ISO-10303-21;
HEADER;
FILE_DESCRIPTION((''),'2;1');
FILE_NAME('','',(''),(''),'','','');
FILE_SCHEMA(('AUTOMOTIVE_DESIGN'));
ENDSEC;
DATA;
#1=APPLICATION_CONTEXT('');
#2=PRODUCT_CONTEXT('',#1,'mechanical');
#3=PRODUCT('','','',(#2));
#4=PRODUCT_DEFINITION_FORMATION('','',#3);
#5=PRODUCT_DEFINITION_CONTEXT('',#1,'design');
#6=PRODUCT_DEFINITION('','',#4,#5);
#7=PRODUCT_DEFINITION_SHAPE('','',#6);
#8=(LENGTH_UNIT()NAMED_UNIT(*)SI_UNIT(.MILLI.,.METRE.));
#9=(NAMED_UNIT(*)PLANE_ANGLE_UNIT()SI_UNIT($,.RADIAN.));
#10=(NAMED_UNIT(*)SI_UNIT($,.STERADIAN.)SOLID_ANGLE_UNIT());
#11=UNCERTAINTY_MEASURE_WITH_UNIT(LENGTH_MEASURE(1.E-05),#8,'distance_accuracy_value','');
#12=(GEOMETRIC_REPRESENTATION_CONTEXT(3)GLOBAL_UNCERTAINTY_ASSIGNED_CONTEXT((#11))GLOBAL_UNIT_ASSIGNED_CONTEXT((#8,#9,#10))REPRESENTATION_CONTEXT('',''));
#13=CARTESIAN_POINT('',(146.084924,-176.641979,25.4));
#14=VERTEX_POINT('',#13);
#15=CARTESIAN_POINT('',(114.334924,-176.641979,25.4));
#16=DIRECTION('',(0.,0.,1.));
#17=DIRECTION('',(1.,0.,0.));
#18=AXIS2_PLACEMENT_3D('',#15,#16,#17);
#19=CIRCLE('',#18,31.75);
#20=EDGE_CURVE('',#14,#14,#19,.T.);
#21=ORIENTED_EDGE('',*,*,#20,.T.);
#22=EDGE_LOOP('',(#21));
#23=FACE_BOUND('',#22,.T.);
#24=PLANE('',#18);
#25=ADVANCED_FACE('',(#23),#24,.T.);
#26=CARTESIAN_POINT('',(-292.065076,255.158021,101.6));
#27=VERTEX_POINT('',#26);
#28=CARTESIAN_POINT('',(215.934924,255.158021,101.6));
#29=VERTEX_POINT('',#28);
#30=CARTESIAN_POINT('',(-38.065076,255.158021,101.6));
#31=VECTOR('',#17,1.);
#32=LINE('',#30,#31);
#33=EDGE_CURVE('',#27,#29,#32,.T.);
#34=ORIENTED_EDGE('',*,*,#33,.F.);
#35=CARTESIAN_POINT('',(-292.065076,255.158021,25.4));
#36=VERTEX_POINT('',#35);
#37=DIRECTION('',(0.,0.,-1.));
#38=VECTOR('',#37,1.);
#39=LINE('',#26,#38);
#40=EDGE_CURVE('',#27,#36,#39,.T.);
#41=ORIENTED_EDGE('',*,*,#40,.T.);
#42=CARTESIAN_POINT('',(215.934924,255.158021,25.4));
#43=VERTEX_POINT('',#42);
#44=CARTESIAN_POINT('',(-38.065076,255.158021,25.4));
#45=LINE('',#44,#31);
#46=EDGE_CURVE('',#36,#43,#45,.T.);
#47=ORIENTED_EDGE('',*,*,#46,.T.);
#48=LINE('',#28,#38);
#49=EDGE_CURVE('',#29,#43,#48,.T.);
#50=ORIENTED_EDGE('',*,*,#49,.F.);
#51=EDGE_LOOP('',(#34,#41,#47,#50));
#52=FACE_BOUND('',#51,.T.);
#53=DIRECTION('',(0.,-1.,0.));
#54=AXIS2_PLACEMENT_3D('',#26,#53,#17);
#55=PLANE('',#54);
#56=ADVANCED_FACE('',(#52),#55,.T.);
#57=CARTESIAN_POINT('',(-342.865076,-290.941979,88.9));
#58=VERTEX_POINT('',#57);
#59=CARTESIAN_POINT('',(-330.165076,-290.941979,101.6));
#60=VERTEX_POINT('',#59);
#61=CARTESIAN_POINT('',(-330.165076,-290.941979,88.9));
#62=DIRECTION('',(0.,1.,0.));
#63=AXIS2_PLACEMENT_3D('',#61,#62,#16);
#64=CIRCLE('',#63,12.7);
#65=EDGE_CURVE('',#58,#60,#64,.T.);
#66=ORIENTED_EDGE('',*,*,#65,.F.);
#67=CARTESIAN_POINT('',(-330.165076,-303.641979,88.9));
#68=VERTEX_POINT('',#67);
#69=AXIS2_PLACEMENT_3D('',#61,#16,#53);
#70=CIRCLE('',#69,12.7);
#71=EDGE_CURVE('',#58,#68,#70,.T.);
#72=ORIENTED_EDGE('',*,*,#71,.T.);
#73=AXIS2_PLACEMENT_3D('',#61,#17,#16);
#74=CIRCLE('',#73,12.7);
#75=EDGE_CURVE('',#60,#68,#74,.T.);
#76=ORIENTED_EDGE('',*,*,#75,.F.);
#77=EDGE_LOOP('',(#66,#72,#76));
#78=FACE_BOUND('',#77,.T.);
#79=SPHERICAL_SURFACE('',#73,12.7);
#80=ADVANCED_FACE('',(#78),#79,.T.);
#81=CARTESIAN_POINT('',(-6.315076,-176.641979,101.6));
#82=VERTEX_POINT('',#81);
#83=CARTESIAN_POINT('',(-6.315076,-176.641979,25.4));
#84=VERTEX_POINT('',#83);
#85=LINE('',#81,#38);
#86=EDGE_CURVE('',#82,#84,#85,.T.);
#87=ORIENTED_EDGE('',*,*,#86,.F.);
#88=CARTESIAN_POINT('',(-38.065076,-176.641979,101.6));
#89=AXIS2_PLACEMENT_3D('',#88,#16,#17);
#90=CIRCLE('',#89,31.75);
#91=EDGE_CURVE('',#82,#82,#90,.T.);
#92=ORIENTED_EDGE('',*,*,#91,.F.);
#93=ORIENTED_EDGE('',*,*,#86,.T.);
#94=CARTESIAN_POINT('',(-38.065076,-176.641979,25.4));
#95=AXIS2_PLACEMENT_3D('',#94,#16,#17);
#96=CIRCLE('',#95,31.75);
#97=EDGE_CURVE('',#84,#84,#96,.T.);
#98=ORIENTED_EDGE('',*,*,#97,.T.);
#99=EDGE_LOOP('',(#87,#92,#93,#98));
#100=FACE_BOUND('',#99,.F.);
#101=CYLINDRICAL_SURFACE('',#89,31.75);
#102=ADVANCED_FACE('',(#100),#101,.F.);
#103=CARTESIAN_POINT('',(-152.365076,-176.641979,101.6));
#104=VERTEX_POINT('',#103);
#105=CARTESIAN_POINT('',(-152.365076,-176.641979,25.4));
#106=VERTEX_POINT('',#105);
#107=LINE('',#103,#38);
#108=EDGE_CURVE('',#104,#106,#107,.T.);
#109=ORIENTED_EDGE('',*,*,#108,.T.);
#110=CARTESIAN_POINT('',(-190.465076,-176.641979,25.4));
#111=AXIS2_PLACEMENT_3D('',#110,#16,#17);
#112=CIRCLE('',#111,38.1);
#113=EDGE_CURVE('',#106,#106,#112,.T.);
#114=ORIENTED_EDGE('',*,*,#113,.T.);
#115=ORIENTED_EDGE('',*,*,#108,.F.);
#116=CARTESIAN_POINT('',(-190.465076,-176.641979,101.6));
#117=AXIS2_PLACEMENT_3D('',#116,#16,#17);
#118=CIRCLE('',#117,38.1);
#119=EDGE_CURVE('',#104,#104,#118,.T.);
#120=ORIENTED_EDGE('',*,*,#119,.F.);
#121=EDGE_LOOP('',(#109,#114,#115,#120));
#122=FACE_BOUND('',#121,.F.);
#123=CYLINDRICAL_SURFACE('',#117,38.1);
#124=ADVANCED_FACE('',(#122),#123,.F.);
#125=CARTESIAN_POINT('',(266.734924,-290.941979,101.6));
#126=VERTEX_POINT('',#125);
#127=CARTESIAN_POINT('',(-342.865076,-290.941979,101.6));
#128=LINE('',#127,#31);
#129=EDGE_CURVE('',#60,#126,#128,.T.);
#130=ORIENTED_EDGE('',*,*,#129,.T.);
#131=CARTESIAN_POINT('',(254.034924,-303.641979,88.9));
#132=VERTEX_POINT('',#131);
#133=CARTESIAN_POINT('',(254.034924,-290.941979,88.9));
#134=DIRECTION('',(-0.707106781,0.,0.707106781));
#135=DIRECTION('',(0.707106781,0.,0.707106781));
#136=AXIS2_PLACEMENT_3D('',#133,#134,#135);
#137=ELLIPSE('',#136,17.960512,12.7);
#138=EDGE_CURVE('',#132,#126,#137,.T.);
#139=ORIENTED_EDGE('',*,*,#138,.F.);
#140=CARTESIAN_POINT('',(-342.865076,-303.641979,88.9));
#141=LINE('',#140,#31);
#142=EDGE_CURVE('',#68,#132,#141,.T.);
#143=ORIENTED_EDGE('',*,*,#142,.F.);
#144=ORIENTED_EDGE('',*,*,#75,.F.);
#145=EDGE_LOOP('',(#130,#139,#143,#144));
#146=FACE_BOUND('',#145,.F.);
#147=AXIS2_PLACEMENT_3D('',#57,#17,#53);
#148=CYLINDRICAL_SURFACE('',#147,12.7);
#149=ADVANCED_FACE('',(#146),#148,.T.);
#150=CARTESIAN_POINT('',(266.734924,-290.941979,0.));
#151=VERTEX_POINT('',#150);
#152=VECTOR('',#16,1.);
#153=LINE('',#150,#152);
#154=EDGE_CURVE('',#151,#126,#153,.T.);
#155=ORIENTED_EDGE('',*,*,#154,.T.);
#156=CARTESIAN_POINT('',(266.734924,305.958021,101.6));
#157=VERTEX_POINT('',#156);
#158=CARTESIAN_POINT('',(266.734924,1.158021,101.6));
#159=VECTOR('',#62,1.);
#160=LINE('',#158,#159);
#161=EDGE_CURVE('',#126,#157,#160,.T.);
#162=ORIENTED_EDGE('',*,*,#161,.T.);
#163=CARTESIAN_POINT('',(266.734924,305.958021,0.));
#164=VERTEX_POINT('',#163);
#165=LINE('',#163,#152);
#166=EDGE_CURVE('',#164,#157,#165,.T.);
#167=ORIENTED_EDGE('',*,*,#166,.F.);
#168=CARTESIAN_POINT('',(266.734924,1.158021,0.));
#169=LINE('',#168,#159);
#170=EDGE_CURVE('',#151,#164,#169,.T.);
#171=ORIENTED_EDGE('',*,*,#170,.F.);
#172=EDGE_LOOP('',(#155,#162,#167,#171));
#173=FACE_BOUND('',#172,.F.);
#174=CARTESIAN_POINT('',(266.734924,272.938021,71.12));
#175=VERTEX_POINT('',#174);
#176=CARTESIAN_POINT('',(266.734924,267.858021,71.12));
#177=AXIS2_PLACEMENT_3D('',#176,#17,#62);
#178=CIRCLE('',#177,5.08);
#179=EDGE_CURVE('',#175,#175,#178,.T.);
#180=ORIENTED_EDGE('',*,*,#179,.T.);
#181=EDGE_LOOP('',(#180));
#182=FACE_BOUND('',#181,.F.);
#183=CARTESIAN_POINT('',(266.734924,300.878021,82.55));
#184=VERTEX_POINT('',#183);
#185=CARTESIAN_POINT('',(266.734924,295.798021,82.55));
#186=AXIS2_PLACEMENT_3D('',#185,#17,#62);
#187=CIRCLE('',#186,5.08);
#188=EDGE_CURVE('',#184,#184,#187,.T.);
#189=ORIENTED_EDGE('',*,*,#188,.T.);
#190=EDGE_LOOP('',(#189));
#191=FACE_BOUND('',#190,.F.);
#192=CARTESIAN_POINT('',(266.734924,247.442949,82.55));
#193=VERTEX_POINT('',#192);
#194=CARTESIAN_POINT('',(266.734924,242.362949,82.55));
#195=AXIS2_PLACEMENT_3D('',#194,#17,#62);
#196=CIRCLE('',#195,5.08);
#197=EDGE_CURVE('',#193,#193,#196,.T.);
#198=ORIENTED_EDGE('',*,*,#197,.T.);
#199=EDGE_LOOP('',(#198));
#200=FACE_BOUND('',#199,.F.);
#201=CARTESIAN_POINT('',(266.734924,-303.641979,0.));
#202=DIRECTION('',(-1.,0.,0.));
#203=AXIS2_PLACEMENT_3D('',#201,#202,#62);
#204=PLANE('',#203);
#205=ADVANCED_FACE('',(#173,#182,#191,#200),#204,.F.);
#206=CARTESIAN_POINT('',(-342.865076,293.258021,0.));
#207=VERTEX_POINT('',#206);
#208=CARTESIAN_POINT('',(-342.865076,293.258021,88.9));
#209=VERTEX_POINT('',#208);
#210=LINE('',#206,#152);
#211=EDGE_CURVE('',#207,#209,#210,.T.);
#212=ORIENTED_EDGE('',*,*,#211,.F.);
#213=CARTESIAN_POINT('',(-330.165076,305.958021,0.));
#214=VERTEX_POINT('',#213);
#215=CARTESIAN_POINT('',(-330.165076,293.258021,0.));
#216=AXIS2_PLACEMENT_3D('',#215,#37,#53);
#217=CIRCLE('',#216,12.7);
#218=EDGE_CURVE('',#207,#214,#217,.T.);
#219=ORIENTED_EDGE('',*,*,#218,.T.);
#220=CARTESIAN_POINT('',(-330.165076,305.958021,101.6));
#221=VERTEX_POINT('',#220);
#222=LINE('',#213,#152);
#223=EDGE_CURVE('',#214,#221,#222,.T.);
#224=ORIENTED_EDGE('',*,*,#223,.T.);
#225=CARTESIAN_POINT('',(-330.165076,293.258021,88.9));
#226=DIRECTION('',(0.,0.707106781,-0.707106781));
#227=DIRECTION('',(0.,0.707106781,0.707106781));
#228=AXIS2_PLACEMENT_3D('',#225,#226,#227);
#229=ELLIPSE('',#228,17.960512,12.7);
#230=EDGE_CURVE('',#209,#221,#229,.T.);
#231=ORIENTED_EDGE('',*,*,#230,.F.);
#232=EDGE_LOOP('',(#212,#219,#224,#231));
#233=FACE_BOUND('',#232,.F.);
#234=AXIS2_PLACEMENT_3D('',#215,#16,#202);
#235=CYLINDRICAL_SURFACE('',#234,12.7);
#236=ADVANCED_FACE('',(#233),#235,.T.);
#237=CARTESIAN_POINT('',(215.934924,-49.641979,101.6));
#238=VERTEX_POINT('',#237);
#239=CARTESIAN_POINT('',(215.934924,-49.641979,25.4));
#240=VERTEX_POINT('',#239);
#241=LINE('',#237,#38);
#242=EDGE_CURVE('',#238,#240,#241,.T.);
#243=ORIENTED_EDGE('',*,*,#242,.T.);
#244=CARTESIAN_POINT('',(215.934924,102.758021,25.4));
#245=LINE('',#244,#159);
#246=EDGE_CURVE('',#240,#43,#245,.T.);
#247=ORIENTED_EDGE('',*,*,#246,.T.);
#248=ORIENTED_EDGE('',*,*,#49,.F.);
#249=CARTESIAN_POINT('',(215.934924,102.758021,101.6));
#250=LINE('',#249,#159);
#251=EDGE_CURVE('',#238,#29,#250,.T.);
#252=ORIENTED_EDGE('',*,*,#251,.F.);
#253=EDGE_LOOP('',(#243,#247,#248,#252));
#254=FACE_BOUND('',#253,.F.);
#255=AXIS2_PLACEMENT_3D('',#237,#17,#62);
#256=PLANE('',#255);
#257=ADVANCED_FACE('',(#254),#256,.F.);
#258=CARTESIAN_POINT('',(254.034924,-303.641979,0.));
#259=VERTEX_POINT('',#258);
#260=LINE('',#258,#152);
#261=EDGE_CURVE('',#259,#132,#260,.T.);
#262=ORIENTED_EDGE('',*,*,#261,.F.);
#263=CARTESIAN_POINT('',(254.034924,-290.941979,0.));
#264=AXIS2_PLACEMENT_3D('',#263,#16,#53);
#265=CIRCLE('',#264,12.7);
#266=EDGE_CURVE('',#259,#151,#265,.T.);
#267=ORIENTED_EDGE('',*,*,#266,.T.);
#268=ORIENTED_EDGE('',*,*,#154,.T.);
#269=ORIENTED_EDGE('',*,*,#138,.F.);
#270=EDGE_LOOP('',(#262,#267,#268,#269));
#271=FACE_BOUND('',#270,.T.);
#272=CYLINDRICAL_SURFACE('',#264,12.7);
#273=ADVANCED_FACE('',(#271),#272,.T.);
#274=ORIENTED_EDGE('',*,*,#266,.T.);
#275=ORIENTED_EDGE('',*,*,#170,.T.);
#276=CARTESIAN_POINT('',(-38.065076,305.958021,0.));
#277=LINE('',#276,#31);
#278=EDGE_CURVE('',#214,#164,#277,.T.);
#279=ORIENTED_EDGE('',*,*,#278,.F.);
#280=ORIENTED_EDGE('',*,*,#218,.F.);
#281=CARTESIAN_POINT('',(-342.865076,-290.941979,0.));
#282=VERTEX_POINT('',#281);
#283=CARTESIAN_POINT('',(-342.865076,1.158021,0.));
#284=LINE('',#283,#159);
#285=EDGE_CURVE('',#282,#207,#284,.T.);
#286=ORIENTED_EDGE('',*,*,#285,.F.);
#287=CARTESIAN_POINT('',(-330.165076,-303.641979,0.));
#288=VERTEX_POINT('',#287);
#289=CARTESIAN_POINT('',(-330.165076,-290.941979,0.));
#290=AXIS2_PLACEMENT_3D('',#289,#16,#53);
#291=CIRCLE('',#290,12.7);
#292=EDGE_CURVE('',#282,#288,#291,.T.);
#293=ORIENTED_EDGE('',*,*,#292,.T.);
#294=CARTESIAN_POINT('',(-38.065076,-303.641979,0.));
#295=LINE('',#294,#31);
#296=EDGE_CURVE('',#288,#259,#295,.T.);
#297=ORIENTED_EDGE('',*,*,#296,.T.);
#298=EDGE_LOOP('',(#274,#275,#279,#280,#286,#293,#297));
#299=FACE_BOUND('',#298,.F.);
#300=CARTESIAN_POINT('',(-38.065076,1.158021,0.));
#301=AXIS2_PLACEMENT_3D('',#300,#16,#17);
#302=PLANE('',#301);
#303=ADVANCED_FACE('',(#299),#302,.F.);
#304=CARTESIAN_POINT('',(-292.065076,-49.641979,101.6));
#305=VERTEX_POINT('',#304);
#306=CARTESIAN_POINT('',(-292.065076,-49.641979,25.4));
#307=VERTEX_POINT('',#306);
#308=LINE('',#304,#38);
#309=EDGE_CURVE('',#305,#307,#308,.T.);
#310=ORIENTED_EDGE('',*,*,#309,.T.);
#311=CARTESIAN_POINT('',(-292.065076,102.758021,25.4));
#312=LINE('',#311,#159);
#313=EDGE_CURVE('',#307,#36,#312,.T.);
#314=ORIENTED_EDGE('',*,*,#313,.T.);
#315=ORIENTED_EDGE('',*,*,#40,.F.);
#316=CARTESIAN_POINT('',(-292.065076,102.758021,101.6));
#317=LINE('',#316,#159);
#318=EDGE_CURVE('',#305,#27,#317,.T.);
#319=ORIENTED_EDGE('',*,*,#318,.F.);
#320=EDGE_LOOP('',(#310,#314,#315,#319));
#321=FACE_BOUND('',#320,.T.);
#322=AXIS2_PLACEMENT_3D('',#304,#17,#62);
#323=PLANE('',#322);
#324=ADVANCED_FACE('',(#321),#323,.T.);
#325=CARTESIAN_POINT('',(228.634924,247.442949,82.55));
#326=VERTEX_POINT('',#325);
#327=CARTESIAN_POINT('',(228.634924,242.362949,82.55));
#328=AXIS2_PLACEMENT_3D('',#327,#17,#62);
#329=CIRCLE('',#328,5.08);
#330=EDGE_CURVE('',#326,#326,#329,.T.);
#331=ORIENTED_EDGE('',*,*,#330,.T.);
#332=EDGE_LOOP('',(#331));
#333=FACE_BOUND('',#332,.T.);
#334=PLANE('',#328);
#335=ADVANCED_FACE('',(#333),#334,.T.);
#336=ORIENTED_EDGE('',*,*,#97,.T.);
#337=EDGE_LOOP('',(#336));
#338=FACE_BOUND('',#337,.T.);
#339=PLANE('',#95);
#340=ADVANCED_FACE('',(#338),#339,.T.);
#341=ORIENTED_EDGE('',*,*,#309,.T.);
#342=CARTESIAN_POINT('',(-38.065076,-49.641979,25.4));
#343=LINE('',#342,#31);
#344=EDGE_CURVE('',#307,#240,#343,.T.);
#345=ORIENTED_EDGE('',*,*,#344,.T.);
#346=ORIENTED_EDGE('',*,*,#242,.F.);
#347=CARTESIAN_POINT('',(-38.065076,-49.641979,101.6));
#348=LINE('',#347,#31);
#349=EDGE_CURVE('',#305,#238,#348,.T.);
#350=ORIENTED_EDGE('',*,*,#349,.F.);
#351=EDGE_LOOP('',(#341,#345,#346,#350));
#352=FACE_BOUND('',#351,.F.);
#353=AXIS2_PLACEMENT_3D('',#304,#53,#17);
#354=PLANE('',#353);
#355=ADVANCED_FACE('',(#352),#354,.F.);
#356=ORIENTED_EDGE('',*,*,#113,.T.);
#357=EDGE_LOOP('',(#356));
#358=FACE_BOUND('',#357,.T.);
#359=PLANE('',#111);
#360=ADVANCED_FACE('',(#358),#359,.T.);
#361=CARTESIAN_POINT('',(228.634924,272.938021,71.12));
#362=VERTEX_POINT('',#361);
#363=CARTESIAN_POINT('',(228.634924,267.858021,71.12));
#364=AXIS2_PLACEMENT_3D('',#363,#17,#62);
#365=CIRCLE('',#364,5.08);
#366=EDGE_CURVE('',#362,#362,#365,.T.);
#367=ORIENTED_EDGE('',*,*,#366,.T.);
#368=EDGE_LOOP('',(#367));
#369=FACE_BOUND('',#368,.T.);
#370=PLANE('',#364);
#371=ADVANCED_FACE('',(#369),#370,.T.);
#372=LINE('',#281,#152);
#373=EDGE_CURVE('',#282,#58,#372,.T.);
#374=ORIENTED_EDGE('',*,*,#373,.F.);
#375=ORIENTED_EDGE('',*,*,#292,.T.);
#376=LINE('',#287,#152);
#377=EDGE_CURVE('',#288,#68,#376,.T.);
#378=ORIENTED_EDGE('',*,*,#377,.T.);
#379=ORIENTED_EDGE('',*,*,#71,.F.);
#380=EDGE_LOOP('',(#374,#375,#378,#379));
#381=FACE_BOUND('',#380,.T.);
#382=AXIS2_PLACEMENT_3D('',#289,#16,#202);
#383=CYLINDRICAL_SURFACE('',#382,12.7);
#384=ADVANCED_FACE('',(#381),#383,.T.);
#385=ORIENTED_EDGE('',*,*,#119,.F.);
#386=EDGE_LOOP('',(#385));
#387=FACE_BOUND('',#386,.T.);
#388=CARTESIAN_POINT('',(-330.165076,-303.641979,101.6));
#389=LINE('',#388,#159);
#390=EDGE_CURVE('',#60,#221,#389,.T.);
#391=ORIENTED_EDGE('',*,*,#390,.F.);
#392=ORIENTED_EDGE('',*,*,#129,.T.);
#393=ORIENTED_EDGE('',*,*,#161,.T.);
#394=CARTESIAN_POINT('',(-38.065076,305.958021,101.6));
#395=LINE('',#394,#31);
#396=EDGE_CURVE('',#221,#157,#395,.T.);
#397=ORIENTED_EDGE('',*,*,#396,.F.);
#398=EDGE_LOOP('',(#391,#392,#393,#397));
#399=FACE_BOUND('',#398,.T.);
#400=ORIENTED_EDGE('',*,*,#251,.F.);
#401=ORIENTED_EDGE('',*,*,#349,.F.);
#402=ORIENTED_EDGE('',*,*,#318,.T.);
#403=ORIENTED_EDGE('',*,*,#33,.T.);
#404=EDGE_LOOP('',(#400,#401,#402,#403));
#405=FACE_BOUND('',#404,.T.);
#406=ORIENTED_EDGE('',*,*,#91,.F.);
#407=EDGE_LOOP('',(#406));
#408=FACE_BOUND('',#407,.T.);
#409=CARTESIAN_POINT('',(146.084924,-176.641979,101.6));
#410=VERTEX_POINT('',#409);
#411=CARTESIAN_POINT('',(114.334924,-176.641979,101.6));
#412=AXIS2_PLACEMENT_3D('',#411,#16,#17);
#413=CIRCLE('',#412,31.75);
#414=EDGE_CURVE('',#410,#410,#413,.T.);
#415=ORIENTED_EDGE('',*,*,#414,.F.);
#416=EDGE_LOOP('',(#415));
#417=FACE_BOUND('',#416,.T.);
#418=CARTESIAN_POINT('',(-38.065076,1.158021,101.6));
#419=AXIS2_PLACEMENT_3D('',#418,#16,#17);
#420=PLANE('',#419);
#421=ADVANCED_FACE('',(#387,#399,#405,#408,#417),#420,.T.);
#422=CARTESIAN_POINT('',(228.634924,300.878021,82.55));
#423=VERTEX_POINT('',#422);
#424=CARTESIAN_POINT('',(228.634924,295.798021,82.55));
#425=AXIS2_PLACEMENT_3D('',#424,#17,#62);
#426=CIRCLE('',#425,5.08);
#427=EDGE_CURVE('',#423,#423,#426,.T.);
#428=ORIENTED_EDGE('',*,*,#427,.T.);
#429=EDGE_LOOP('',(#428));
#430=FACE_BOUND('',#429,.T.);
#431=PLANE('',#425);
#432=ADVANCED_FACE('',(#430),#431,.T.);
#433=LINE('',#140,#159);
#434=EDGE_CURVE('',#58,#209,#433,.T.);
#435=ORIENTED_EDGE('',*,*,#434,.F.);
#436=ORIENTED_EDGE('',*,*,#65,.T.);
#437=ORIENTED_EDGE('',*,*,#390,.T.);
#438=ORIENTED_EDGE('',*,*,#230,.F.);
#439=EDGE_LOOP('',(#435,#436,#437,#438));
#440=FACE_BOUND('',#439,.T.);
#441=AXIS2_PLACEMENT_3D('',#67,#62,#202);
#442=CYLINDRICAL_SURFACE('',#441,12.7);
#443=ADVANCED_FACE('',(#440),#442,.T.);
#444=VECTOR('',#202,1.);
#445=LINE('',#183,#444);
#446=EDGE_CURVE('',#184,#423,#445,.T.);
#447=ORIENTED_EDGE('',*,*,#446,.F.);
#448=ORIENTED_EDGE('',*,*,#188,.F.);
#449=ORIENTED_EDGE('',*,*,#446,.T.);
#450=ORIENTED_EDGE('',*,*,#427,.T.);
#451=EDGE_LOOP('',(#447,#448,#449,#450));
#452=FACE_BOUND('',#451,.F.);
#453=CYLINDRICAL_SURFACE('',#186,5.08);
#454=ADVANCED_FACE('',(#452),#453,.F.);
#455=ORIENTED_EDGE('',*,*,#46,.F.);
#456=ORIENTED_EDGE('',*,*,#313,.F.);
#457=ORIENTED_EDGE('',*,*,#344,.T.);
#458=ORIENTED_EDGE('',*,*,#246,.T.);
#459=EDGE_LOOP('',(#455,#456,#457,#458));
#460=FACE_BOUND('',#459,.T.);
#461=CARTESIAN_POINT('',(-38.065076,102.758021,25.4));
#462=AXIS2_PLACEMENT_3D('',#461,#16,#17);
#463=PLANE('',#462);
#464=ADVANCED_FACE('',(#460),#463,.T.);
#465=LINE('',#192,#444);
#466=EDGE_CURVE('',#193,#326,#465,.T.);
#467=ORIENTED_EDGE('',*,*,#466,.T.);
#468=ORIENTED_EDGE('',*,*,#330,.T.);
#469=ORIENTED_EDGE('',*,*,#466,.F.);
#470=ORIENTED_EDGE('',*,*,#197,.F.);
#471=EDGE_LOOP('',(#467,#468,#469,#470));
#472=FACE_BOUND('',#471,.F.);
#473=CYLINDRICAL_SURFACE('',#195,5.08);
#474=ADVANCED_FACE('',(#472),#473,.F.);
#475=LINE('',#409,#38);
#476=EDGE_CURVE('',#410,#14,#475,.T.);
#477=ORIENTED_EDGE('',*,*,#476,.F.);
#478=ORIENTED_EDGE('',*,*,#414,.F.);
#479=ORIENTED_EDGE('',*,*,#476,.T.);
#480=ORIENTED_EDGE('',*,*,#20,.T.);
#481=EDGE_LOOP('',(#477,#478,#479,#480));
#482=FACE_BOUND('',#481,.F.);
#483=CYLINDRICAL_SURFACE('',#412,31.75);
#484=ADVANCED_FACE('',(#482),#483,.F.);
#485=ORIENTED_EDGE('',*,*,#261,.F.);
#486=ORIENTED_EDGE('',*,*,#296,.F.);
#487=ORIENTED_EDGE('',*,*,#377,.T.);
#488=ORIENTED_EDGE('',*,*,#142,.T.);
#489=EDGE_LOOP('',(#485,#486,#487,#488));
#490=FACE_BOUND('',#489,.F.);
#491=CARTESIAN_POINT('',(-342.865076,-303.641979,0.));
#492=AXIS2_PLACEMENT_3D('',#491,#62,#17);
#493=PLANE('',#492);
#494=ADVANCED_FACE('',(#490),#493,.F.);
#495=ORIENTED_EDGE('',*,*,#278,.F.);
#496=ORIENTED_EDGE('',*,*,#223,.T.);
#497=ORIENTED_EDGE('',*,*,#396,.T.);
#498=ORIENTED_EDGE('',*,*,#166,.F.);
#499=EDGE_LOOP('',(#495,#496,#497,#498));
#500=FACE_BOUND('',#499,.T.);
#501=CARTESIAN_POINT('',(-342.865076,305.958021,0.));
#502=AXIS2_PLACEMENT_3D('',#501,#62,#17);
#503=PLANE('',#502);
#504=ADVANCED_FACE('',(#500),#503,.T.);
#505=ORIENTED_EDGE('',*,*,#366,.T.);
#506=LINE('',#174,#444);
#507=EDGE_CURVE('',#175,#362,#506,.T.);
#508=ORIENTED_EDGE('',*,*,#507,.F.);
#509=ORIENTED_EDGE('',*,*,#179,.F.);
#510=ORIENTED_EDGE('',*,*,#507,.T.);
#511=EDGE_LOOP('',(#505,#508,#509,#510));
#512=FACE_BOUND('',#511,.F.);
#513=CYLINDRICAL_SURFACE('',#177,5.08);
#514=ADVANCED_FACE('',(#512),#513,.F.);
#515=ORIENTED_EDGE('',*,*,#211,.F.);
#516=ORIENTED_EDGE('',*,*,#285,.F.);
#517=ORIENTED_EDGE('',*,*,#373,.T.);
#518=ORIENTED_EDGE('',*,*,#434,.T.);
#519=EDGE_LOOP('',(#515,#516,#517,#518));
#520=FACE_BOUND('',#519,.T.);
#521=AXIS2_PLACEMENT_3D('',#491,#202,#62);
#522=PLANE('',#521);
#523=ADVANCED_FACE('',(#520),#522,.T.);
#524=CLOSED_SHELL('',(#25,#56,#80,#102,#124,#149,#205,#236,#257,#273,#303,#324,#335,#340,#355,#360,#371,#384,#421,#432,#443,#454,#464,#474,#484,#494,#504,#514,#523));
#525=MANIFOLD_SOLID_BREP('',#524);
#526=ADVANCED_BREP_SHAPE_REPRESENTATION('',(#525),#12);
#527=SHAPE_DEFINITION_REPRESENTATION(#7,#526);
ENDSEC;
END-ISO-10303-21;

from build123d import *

# Parameters (mm, degrees)
F0_W     = 609.6
F0_H     = 609.6
F1_DEPTH = 101.6
F2_W     = 508
F2_H     = 304.8
F2_R     = 38.1
F2_R_2   = 31.75
F3_DEPTH = 76.2
F4_R     = 12.7
F5_R     = 5.08
F6_DEPTH = 38.1


with BuildPart() as f1:
    # F0 (on Top) → F1 (new body)
    with BuildSketch(Plane.XY):
        with Locations((-38.065076, 1.158021)):
            Rectangle(F0_W, F0_H)
    extrude(amount=F1_DEPTH)

    # F2 (on face) → F3 (cut)
    with BuildSketch(Plane.XY.offset(101.6)):
        with Locations((-38.065076, 102.758021)):
            Rectangle(F2_W, F2_H)
        with Locations((-190.465076, -176.641979)):
            Circle(F2_R)
        with Locations((-38.065076, -176.641979)):
            Circle(F2_R_2)
        with Locations((114.334924, -176.641979)):
            Circle(F2_R_2)
    extrude(amount=-F3_DEPTH, mode=Mode.SUBTRACT)

    # F4
    f4_edges = [f1.edges().sort_by_distance(p)[0] for p in [
        (-38.065076, -303.641979, 101.6),
        (266.734924, -303.641979, 50.8),
        (-342.865076, 1.158021, 101.6),
        (-342.865076, -303.641979, 50.8),
        (-342.865076, 305.958021, 50.8),
    ]]
    fillet(f4_edges, radius=F4_R)

    # F5 (on face) → F6 (cut)
    with BuildSketch(Plane.YZ.offset(266.734924)):
        with Locations((242.362949, 82.55)):
            Circle(F5_R)
        with Locations((267.858021, 71.12)):
            Circle(F5_R)
        with Locations((295.798021, 82.55)):
            Circle(F5_R)
    extrude(amount=-F6_DEPTH, mode=Mode.SUBTRACT)


solid = f1.part
